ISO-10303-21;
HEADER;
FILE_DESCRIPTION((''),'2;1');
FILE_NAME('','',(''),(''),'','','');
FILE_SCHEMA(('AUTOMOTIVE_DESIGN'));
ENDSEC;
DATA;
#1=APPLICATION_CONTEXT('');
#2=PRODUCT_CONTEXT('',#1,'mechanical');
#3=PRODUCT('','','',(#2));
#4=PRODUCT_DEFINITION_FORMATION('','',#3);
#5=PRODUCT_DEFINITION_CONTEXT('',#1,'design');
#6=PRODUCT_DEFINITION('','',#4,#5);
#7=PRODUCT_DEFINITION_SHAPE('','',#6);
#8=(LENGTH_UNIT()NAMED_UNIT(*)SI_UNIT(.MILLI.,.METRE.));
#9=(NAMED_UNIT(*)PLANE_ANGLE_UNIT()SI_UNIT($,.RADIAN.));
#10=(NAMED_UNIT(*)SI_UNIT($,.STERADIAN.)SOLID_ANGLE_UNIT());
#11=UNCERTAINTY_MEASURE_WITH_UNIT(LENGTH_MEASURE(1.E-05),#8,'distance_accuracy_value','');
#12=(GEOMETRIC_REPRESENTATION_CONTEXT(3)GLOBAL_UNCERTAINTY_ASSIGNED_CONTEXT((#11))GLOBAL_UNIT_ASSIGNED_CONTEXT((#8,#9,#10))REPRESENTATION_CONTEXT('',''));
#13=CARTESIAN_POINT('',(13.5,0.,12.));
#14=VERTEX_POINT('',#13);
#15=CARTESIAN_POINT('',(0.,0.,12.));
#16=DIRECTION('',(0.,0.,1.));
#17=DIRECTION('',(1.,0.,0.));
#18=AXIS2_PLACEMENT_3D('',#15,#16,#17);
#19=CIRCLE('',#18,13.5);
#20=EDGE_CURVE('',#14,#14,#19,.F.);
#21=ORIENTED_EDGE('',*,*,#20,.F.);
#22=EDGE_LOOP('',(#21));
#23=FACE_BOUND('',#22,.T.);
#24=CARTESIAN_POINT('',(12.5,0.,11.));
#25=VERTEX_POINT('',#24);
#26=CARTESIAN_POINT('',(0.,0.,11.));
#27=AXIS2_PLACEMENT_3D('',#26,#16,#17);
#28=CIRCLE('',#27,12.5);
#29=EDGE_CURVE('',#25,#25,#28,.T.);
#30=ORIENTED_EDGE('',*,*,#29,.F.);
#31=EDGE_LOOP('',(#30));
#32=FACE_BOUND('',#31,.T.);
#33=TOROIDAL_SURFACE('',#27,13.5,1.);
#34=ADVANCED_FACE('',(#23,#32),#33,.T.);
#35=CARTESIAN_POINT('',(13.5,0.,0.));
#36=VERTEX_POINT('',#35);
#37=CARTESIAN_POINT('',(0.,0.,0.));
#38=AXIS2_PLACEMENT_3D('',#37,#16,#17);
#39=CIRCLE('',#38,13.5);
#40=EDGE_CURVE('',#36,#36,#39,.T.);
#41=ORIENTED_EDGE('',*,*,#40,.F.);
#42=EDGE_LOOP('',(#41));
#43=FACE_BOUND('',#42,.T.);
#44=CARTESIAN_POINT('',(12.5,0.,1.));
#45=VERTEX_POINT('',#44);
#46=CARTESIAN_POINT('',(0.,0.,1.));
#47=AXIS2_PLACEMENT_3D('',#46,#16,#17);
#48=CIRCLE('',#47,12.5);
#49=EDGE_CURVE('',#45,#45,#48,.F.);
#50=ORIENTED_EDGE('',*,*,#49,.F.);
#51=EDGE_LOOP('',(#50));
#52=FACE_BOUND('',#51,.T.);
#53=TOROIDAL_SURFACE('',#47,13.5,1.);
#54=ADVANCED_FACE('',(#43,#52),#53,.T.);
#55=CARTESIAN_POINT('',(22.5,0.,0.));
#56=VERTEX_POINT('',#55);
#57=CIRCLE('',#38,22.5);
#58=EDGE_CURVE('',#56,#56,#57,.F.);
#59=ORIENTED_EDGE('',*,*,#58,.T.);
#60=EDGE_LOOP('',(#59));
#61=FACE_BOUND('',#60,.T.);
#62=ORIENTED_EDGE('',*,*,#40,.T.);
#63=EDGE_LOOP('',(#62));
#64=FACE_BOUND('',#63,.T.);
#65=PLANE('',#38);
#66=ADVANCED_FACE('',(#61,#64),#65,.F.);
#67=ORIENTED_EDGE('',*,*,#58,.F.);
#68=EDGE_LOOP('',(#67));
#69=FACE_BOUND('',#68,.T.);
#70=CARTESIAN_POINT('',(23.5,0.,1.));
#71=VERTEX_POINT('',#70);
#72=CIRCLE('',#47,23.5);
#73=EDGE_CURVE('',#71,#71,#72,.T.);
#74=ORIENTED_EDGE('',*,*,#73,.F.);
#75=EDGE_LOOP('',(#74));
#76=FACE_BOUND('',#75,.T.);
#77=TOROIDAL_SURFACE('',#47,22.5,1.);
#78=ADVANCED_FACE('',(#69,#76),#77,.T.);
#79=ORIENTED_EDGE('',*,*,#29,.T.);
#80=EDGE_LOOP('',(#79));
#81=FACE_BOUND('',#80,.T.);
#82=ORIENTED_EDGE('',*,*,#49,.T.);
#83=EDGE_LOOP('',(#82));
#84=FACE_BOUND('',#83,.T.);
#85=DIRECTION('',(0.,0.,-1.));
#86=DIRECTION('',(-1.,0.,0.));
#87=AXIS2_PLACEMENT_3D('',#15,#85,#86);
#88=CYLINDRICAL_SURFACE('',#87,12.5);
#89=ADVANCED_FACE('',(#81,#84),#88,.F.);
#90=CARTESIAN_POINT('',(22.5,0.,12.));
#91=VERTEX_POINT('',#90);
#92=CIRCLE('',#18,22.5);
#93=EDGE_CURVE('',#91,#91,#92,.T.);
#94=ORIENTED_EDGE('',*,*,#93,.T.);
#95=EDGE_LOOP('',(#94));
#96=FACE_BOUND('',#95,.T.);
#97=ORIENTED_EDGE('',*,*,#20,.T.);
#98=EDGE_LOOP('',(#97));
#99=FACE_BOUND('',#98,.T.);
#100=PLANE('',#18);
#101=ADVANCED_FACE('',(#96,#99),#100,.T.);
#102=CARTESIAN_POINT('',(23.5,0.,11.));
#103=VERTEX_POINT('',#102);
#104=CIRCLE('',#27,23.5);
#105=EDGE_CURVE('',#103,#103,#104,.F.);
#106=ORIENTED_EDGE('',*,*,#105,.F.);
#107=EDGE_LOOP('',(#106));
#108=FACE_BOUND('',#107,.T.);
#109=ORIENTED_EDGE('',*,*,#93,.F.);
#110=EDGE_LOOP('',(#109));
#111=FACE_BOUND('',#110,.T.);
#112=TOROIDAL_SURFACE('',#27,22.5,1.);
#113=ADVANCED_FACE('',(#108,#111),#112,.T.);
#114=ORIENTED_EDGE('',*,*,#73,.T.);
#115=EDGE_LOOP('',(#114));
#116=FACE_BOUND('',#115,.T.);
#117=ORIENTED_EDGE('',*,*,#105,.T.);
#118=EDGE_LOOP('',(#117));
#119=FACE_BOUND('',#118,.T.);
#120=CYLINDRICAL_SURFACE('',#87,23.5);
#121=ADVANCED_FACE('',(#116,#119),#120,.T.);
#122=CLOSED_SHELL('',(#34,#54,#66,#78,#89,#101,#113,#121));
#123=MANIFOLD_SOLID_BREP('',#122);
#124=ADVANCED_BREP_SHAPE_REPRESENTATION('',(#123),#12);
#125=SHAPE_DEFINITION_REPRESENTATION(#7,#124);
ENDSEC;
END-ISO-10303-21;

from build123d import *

# Parameters (mm, degrees)
SKETCH1_R           = 23.5
SKETCH1_R_2         = 12.5
BOSS_EXTRUDE1_DEPTH = 12
FILLET1_R           = 1


with BuildPart() as part:
    # Sketch1 → Boss-Extrude1 (new body)
    with BuildSketch(Plane.XY):
        Circle(SKETCH1_R)
        Circle(SKETCH1_R_2, mode=Mode.SUBTRACT)
    extrude(amount=BOSS_EXTRUDE1_DEPTH)

    # Fillet1
    fillet1_edges = [part.edges().sort_by_distance(p)[0] for p in [
        (-23.5, 0, 0),
        (-23.5, 0, 12),
        (-12.5, 0, 0),
        (-12.5, 0, 12),
    ]]
    fillet(fillet1_edges, radius=FILLET1_R)


solid = part.part
